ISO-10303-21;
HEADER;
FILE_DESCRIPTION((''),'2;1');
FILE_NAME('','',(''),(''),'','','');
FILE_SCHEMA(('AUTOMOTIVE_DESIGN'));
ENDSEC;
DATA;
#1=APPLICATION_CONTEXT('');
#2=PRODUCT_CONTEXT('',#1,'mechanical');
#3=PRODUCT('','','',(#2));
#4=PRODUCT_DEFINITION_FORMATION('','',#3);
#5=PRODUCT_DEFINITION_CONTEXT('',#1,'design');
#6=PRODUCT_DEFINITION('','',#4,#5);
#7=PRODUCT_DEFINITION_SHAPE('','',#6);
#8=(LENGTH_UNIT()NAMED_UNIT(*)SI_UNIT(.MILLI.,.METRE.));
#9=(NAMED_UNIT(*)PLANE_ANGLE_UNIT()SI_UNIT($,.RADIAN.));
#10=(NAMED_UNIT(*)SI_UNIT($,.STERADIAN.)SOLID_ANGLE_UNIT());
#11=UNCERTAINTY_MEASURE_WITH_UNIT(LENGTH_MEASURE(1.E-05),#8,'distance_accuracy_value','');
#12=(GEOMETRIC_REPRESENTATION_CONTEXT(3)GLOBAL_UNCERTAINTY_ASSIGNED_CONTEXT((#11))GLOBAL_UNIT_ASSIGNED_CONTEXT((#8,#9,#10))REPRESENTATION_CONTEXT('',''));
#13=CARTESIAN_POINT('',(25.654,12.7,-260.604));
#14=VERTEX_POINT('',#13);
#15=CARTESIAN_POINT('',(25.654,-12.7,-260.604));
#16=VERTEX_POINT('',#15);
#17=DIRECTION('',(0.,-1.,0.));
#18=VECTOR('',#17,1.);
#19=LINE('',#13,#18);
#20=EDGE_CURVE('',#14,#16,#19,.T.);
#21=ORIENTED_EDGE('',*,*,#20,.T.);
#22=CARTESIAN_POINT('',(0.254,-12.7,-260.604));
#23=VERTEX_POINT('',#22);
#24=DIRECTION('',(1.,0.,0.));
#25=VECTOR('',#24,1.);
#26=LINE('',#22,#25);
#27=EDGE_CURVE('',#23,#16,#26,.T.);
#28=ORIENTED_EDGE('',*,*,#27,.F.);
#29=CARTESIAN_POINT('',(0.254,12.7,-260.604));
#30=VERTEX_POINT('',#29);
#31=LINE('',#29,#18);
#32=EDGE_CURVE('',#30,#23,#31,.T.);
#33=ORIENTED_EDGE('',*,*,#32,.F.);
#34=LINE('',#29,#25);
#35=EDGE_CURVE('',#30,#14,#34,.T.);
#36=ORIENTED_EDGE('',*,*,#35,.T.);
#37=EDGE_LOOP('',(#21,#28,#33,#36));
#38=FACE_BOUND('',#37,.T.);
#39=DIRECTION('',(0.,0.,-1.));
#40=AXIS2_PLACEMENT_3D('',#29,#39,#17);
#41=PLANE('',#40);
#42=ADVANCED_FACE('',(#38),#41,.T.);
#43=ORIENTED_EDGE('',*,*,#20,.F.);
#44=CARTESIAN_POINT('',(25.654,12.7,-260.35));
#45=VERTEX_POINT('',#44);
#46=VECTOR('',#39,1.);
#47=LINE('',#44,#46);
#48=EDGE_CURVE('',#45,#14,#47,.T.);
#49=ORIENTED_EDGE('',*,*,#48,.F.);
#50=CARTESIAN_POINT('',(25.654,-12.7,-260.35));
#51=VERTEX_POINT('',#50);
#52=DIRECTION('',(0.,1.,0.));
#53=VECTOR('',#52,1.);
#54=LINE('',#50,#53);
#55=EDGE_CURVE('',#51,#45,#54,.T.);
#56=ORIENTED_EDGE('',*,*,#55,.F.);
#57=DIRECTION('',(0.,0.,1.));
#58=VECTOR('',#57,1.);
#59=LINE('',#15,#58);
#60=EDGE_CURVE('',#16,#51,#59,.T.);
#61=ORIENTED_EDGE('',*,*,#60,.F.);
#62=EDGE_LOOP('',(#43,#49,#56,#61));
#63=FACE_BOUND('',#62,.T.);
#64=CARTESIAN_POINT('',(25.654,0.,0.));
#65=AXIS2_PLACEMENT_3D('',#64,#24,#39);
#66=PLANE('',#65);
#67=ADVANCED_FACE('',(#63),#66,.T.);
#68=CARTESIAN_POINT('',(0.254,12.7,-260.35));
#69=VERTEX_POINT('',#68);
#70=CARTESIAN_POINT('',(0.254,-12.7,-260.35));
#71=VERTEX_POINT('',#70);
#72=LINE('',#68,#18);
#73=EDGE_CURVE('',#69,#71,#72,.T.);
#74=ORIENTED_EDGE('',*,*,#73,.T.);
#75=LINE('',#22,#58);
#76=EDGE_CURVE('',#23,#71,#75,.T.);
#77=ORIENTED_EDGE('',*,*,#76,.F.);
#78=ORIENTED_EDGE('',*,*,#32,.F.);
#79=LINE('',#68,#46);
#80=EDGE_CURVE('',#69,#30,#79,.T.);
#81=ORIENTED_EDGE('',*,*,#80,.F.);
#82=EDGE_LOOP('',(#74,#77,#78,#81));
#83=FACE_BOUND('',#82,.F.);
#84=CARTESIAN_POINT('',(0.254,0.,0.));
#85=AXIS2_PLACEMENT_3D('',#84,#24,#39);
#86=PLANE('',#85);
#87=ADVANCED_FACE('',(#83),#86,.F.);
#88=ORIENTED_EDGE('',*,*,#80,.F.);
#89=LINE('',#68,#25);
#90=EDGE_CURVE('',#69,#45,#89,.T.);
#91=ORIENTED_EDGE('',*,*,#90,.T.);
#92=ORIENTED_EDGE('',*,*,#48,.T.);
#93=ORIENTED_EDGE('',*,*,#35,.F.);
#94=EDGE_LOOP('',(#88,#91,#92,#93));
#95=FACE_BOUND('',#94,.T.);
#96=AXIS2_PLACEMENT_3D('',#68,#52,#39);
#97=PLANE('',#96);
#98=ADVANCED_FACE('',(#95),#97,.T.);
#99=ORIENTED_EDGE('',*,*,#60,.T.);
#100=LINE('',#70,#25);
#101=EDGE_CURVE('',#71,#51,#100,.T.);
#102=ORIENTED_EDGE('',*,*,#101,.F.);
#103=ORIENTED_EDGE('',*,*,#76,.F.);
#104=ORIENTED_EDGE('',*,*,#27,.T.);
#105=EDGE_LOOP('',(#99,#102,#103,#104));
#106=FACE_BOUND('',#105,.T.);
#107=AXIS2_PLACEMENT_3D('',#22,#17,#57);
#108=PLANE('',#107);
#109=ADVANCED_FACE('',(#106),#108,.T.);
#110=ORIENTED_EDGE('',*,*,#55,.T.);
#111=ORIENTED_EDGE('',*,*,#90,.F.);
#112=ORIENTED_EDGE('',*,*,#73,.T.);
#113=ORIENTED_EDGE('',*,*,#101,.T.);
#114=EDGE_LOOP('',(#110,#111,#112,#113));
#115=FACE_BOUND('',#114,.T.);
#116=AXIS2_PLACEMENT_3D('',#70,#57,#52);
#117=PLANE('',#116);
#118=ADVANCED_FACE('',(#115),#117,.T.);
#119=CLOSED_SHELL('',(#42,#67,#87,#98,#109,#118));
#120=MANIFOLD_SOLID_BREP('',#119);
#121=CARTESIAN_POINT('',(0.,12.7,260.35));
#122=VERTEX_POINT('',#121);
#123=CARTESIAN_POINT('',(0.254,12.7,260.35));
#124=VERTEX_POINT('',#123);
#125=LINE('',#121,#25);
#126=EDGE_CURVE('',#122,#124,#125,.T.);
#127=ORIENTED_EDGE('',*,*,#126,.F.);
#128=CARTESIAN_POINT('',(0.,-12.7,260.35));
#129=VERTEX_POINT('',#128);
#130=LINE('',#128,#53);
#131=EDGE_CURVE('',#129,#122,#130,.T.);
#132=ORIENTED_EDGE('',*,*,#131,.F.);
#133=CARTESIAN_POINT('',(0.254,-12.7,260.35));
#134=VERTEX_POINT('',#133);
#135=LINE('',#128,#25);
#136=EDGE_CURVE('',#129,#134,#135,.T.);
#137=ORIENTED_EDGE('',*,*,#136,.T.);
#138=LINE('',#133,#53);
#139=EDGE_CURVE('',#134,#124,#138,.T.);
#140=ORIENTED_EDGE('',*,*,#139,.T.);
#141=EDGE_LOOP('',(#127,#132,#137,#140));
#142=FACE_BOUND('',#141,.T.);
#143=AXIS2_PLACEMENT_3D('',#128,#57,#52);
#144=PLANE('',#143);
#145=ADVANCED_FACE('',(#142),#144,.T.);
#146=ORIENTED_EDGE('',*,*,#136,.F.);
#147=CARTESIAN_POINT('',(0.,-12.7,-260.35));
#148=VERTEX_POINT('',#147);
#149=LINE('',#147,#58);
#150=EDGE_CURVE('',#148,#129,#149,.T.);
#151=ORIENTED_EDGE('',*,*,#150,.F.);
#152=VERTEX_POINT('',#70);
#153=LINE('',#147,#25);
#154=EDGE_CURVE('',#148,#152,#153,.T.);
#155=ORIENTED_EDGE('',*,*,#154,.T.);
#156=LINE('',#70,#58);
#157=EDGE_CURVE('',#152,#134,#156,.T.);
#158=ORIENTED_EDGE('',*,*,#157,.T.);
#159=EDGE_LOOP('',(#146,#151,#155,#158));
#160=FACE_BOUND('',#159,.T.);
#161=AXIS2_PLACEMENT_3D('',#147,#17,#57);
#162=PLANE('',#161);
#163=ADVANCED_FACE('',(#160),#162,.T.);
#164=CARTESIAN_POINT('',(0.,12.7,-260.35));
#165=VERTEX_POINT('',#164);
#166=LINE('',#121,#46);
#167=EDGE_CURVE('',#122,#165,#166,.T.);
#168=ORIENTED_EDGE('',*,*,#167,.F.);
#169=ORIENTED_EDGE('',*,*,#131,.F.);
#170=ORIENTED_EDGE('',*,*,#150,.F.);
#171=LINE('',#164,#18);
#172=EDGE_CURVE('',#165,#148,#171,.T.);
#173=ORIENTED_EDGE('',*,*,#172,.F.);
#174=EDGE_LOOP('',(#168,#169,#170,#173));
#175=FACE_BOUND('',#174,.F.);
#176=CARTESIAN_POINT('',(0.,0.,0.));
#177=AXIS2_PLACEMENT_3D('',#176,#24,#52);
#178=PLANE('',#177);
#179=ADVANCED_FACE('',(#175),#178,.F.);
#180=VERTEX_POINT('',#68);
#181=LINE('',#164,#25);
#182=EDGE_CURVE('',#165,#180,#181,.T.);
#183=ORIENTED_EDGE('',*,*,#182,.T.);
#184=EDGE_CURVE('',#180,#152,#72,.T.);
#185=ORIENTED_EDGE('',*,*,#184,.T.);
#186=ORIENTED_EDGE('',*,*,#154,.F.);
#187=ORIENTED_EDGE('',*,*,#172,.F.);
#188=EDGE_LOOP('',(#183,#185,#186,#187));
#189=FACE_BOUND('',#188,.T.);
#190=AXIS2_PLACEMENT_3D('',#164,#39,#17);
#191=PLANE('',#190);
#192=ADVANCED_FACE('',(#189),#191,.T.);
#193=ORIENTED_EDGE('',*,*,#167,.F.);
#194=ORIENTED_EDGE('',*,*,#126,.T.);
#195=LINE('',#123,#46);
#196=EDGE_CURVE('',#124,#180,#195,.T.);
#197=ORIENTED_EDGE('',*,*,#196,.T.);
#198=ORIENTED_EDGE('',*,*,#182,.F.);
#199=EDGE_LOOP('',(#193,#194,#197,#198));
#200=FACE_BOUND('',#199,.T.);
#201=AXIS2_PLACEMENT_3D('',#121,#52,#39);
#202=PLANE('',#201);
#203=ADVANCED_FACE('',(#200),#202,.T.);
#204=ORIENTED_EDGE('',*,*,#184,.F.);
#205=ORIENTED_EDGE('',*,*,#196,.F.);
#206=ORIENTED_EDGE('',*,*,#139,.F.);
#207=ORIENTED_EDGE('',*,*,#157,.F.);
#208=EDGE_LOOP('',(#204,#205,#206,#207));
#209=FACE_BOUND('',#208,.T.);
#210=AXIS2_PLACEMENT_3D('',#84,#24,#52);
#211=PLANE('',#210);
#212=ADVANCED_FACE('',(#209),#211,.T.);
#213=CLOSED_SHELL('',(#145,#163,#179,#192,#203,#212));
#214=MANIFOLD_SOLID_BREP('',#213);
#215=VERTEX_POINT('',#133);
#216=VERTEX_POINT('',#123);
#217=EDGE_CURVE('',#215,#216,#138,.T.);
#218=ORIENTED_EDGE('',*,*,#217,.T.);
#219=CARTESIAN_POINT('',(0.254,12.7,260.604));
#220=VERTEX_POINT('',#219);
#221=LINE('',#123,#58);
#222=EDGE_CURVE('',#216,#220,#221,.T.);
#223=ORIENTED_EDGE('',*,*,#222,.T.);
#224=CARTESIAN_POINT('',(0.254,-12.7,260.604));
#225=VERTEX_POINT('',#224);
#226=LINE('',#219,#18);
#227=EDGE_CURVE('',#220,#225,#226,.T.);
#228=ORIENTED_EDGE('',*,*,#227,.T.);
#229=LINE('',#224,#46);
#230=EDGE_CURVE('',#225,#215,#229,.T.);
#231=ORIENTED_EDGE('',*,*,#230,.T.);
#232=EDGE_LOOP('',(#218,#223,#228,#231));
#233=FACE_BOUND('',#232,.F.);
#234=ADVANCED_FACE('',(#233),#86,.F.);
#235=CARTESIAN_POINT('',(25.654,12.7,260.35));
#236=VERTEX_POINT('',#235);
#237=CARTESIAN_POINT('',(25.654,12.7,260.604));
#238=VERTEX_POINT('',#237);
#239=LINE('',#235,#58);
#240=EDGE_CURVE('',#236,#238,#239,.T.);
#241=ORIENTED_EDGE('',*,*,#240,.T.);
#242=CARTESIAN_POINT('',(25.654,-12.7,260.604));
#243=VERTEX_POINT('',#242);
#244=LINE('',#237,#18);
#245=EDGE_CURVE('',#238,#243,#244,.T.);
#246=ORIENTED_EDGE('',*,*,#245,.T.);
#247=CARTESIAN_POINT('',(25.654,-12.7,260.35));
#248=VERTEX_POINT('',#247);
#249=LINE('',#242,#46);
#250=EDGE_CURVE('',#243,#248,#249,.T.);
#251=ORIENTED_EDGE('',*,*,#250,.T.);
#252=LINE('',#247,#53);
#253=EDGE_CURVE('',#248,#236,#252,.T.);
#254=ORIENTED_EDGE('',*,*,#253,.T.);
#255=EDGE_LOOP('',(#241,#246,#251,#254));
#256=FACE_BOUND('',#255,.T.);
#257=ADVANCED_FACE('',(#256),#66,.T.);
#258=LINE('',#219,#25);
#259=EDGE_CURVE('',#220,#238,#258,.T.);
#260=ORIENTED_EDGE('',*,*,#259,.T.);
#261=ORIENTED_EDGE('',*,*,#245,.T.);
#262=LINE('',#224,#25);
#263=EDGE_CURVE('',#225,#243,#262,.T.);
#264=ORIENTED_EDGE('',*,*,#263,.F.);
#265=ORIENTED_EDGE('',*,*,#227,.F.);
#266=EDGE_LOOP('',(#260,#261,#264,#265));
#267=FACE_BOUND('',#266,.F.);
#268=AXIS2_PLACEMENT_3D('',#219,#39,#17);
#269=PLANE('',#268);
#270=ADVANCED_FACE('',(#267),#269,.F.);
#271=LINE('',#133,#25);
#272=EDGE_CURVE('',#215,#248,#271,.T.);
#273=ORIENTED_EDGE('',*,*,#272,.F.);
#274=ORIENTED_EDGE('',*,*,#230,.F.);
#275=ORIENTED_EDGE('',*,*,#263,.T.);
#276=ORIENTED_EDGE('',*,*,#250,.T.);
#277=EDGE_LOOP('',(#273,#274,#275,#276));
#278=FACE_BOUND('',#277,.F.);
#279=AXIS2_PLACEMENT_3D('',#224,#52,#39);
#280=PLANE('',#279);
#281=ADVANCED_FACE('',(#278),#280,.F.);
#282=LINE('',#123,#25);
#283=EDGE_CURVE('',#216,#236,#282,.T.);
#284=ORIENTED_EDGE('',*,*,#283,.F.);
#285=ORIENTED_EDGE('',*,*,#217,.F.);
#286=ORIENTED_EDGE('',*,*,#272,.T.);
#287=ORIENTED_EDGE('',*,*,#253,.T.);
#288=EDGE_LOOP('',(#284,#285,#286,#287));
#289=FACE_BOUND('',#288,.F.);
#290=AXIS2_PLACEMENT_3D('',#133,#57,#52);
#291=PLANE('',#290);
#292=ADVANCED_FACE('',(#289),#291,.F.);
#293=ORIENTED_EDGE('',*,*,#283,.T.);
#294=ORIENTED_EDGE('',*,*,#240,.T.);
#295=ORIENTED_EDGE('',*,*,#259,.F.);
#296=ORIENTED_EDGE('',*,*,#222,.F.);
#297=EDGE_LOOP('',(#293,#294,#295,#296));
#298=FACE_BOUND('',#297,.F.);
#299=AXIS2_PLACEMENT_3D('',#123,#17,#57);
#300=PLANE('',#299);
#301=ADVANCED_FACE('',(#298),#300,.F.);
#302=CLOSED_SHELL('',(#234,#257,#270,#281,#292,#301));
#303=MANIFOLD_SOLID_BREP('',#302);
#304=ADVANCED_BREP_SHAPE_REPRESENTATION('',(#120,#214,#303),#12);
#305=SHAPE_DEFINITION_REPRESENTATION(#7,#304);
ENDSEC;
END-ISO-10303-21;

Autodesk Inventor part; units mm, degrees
ref_plane "YZ Plane" through (0, 0, 0) normal (1, 0, 0) x (0, 1, 0)
ref_plane "XZ Plane" through (0, 0, 0) normal (0, 1, 0) x (-1, 0, 0)
ref_plane "XY Plane" through (0, 0, 0) normal (0, 0, 1) x (1, 0, 0)
sketch "Sketch1" plane through (0, 0, 0) normal (1, 0, 0) x (0, 1, 0)
  line L0 (-12.7, 260.35) -> (12.7, 260.35)
  line L1 (12.7, 260.35) -> (12.7, -260.35)
  line L2 (12.7, -260.35) -> (-12.7, -260.35)
  line L3 (-12.7, -260.35) -> (-12.7, 260.35)
  line L4 (-12.7, 260.35) -> (12.7, -260.35) construction
  line L5 (12.7, 260.35) -> (-12.7, -260.35) construction
  point P0 (0, 0)
  dimension "d0" = 25.4
  dimension "d1" = 520.7
extrude "Extrusion1" add sketch "Sketch1" along normal blind 0.254
sketch "Sketch2" plane through (0.254, 0, 0) normal (1, 0, 0) x (0, 0, -1)
  line L0 (-260.35, 12.7) -> (-260.604, 12.7)
  line L1 (-260.604, 12.7) -> (-260.604, -12.7)
  line L2 (-260.604, -12.7) -> (-260.35, -12.7)
  line L3 (-260.35, -12.7) -> (-260.35, 12.7)
  line L4 (260.35, 12.7) -> (260.604, 12.7)
  line L5 (260.604, 12.7) -> (260.604, -12.7)
  line L6 (260.604, -12.7) -> (260.35, -12.7)
  line L7 (260.35, -12.7) -> (260.35, 12.7)
  point P0 (0, 0)
  dimension "d4" = 0.254
  dimension "d5" = 25.4
  dimension "d6" = 0.254
  dimension "d7" = 25.4
extrude "Extrusion2" add sketch "Sketch2" along normal blind 25.4
properties part number "Cloth"
